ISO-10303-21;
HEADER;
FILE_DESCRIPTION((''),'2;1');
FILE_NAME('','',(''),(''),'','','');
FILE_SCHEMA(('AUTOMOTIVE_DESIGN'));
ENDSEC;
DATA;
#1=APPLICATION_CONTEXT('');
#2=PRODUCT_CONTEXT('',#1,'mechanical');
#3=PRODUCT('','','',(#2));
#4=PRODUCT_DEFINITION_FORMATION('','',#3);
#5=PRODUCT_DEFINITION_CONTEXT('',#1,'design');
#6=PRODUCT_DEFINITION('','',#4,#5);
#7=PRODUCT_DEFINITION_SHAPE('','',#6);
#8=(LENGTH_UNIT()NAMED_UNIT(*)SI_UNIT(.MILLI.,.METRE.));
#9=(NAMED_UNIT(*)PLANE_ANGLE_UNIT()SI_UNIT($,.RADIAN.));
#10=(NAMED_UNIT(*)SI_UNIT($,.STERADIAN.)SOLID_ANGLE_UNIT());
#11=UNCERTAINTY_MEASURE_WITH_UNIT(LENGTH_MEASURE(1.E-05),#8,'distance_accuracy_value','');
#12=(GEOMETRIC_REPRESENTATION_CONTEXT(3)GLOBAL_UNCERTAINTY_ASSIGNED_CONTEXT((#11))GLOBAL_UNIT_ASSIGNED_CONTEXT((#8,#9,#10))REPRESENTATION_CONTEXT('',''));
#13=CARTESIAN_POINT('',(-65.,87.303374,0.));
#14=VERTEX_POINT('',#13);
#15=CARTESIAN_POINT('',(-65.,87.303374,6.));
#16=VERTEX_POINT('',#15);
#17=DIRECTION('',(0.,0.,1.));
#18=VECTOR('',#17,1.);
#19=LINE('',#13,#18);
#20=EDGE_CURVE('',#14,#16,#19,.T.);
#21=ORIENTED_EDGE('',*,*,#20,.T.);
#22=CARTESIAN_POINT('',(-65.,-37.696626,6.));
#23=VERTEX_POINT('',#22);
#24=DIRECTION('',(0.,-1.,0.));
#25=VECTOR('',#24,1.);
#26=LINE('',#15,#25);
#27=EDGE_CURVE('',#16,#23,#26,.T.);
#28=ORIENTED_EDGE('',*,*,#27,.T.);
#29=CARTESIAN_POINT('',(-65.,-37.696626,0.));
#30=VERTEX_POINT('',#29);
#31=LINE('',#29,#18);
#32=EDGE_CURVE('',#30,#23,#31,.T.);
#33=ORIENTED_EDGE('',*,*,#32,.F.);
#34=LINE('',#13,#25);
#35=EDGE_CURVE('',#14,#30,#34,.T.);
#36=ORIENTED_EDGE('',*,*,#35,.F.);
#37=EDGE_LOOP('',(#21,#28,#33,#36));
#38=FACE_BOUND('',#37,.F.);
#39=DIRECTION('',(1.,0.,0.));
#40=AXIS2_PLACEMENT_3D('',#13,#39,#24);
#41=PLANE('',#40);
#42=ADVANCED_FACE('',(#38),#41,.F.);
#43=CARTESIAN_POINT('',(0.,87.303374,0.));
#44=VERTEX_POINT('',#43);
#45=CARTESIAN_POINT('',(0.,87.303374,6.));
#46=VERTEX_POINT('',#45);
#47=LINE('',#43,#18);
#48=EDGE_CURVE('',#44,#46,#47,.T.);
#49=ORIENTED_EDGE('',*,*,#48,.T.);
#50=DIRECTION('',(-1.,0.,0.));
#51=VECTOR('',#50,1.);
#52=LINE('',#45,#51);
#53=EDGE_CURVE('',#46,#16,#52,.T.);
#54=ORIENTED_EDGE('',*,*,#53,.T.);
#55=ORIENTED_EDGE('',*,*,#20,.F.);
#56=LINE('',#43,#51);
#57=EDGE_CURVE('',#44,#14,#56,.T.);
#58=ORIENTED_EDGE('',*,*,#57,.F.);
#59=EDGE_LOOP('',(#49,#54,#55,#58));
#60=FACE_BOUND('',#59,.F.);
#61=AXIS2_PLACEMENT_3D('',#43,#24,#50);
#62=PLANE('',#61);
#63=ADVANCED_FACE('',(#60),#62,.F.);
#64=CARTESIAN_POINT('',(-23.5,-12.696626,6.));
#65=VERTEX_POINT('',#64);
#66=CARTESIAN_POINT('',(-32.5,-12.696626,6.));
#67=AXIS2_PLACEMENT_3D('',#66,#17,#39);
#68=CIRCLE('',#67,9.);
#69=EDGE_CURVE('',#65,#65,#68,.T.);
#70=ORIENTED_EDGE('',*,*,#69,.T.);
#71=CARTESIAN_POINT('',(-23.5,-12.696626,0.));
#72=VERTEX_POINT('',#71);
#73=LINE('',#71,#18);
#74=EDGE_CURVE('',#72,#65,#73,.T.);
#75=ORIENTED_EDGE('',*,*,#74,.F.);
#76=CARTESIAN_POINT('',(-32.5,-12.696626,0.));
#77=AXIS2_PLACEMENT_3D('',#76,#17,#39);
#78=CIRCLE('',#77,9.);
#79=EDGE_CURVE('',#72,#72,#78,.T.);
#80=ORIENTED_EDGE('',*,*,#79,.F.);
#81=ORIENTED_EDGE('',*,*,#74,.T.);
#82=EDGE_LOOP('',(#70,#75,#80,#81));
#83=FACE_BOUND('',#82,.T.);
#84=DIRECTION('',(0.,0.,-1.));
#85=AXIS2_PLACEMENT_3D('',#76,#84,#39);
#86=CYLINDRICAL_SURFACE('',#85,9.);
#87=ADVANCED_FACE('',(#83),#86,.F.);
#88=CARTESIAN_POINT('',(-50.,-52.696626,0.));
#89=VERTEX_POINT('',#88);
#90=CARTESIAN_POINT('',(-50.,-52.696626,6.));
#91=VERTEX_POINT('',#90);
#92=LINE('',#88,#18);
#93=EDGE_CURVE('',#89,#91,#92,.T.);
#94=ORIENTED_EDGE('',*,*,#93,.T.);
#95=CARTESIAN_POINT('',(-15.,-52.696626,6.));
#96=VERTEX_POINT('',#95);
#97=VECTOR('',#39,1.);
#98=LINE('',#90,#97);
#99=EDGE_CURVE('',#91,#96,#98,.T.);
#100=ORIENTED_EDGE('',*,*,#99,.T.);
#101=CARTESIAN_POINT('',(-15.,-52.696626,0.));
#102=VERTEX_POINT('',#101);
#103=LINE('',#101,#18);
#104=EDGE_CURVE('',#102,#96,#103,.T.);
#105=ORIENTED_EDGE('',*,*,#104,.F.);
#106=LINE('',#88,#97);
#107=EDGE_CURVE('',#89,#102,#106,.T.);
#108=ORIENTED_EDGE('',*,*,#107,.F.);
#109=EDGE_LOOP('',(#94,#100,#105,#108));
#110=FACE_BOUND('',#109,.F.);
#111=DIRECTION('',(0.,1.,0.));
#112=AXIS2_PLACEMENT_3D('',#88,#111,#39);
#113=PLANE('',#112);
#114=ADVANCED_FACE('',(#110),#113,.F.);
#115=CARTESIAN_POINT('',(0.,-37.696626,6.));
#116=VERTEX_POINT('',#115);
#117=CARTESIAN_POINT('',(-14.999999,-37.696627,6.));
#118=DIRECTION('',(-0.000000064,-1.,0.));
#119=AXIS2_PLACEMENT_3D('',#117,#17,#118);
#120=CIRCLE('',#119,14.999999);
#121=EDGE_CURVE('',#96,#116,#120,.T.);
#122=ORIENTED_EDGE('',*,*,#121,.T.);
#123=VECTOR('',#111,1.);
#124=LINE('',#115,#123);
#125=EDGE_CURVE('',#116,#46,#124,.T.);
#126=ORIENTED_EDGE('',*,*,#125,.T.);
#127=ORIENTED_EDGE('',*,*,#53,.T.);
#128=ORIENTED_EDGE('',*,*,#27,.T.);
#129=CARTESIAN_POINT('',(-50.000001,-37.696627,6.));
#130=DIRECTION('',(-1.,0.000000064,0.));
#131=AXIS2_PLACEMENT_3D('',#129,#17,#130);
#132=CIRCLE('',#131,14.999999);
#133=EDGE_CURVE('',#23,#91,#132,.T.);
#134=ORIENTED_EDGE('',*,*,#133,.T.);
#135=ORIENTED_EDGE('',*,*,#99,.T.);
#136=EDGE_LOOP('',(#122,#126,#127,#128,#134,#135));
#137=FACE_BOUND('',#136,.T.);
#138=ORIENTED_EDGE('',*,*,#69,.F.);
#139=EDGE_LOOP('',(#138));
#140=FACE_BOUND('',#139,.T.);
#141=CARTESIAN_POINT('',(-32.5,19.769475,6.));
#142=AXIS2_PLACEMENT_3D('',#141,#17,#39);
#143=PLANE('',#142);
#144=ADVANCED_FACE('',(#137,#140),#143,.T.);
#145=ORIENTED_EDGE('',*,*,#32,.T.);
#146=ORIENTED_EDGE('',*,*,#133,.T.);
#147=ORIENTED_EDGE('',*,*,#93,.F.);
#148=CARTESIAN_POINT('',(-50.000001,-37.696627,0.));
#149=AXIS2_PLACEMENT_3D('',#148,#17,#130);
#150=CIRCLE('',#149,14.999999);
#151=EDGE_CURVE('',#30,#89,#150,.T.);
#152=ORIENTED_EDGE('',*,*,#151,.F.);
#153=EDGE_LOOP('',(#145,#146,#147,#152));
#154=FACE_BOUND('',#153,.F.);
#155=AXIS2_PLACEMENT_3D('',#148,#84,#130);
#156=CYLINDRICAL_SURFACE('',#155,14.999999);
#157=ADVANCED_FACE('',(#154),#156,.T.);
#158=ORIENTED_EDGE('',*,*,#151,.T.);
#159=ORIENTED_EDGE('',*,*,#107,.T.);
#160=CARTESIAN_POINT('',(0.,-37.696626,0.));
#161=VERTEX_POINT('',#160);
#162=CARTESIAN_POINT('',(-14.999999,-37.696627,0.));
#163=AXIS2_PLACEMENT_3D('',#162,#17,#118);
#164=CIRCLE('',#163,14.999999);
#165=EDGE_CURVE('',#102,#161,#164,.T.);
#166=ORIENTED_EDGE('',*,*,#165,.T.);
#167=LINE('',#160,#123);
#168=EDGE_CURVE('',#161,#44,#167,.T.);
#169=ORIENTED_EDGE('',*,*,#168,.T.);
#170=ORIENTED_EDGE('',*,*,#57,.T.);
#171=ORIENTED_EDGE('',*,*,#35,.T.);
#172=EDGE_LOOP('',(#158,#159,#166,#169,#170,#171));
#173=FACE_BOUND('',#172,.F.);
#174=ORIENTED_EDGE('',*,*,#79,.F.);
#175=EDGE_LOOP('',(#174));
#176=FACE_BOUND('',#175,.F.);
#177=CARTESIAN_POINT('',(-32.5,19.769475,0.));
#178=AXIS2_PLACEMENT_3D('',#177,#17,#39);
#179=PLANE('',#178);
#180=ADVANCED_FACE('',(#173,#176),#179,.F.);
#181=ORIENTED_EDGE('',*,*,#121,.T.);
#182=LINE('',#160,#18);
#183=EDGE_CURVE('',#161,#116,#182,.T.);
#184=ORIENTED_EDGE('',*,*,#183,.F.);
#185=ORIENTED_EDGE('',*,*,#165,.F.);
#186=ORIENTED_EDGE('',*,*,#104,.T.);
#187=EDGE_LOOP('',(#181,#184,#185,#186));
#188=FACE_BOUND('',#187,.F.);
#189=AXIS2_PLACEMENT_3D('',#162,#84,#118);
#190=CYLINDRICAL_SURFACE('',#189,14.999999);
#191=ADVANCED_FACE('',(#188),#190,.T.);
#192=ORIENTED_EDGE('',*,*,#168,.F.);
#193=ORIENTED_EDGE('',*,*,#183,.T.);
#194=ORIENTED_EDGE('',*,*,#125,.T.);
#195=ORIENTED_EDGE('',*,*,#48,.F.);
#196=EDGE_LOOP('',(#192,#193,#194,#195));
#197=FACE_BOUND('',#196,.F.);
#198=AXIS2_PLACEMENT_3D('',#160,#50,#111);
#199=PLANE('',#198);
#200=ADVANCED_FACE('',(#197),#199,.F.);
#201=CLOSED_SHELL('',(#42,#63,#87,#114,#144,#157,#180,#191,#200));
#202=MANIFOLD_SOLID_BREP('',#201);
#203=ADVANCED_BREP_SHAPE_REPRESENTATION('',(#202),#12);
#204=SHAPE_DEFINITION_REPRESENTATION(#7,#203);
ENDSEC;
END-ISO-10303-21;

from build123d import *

# Parameters (mm, degrees)
F0_R     = 9
F1_DEPTH = 6


with BuildPart() as f1:
    # F0 (on Top) → F1 (new body)
    with BuildSketch(Plane.XY):
        with BuildLine():
            Line((0, 87.303374), (-65, 87.303374))
            Line((-65, 87.303374), (-65, -37.696626))
            ThreePointArc((-65, -37.696626), (-60.606602, -48.303228), (-50, -52.696626))
            Line((-50, -52.696626), (-15, -52.696626))
            ThreePointArc((-15, -52.696626), (-4.393398, -48.303228), (0, -37.696626))
            Line((0, -37.696626), (0, 87.303374))
        make_face()
        with Locations((-32.5, -12.696626)):
            Circle(F0_R, mode=Mode.SUBTRACT)
    extrude(amount=F1_DEPTH)


solid = f1.part
